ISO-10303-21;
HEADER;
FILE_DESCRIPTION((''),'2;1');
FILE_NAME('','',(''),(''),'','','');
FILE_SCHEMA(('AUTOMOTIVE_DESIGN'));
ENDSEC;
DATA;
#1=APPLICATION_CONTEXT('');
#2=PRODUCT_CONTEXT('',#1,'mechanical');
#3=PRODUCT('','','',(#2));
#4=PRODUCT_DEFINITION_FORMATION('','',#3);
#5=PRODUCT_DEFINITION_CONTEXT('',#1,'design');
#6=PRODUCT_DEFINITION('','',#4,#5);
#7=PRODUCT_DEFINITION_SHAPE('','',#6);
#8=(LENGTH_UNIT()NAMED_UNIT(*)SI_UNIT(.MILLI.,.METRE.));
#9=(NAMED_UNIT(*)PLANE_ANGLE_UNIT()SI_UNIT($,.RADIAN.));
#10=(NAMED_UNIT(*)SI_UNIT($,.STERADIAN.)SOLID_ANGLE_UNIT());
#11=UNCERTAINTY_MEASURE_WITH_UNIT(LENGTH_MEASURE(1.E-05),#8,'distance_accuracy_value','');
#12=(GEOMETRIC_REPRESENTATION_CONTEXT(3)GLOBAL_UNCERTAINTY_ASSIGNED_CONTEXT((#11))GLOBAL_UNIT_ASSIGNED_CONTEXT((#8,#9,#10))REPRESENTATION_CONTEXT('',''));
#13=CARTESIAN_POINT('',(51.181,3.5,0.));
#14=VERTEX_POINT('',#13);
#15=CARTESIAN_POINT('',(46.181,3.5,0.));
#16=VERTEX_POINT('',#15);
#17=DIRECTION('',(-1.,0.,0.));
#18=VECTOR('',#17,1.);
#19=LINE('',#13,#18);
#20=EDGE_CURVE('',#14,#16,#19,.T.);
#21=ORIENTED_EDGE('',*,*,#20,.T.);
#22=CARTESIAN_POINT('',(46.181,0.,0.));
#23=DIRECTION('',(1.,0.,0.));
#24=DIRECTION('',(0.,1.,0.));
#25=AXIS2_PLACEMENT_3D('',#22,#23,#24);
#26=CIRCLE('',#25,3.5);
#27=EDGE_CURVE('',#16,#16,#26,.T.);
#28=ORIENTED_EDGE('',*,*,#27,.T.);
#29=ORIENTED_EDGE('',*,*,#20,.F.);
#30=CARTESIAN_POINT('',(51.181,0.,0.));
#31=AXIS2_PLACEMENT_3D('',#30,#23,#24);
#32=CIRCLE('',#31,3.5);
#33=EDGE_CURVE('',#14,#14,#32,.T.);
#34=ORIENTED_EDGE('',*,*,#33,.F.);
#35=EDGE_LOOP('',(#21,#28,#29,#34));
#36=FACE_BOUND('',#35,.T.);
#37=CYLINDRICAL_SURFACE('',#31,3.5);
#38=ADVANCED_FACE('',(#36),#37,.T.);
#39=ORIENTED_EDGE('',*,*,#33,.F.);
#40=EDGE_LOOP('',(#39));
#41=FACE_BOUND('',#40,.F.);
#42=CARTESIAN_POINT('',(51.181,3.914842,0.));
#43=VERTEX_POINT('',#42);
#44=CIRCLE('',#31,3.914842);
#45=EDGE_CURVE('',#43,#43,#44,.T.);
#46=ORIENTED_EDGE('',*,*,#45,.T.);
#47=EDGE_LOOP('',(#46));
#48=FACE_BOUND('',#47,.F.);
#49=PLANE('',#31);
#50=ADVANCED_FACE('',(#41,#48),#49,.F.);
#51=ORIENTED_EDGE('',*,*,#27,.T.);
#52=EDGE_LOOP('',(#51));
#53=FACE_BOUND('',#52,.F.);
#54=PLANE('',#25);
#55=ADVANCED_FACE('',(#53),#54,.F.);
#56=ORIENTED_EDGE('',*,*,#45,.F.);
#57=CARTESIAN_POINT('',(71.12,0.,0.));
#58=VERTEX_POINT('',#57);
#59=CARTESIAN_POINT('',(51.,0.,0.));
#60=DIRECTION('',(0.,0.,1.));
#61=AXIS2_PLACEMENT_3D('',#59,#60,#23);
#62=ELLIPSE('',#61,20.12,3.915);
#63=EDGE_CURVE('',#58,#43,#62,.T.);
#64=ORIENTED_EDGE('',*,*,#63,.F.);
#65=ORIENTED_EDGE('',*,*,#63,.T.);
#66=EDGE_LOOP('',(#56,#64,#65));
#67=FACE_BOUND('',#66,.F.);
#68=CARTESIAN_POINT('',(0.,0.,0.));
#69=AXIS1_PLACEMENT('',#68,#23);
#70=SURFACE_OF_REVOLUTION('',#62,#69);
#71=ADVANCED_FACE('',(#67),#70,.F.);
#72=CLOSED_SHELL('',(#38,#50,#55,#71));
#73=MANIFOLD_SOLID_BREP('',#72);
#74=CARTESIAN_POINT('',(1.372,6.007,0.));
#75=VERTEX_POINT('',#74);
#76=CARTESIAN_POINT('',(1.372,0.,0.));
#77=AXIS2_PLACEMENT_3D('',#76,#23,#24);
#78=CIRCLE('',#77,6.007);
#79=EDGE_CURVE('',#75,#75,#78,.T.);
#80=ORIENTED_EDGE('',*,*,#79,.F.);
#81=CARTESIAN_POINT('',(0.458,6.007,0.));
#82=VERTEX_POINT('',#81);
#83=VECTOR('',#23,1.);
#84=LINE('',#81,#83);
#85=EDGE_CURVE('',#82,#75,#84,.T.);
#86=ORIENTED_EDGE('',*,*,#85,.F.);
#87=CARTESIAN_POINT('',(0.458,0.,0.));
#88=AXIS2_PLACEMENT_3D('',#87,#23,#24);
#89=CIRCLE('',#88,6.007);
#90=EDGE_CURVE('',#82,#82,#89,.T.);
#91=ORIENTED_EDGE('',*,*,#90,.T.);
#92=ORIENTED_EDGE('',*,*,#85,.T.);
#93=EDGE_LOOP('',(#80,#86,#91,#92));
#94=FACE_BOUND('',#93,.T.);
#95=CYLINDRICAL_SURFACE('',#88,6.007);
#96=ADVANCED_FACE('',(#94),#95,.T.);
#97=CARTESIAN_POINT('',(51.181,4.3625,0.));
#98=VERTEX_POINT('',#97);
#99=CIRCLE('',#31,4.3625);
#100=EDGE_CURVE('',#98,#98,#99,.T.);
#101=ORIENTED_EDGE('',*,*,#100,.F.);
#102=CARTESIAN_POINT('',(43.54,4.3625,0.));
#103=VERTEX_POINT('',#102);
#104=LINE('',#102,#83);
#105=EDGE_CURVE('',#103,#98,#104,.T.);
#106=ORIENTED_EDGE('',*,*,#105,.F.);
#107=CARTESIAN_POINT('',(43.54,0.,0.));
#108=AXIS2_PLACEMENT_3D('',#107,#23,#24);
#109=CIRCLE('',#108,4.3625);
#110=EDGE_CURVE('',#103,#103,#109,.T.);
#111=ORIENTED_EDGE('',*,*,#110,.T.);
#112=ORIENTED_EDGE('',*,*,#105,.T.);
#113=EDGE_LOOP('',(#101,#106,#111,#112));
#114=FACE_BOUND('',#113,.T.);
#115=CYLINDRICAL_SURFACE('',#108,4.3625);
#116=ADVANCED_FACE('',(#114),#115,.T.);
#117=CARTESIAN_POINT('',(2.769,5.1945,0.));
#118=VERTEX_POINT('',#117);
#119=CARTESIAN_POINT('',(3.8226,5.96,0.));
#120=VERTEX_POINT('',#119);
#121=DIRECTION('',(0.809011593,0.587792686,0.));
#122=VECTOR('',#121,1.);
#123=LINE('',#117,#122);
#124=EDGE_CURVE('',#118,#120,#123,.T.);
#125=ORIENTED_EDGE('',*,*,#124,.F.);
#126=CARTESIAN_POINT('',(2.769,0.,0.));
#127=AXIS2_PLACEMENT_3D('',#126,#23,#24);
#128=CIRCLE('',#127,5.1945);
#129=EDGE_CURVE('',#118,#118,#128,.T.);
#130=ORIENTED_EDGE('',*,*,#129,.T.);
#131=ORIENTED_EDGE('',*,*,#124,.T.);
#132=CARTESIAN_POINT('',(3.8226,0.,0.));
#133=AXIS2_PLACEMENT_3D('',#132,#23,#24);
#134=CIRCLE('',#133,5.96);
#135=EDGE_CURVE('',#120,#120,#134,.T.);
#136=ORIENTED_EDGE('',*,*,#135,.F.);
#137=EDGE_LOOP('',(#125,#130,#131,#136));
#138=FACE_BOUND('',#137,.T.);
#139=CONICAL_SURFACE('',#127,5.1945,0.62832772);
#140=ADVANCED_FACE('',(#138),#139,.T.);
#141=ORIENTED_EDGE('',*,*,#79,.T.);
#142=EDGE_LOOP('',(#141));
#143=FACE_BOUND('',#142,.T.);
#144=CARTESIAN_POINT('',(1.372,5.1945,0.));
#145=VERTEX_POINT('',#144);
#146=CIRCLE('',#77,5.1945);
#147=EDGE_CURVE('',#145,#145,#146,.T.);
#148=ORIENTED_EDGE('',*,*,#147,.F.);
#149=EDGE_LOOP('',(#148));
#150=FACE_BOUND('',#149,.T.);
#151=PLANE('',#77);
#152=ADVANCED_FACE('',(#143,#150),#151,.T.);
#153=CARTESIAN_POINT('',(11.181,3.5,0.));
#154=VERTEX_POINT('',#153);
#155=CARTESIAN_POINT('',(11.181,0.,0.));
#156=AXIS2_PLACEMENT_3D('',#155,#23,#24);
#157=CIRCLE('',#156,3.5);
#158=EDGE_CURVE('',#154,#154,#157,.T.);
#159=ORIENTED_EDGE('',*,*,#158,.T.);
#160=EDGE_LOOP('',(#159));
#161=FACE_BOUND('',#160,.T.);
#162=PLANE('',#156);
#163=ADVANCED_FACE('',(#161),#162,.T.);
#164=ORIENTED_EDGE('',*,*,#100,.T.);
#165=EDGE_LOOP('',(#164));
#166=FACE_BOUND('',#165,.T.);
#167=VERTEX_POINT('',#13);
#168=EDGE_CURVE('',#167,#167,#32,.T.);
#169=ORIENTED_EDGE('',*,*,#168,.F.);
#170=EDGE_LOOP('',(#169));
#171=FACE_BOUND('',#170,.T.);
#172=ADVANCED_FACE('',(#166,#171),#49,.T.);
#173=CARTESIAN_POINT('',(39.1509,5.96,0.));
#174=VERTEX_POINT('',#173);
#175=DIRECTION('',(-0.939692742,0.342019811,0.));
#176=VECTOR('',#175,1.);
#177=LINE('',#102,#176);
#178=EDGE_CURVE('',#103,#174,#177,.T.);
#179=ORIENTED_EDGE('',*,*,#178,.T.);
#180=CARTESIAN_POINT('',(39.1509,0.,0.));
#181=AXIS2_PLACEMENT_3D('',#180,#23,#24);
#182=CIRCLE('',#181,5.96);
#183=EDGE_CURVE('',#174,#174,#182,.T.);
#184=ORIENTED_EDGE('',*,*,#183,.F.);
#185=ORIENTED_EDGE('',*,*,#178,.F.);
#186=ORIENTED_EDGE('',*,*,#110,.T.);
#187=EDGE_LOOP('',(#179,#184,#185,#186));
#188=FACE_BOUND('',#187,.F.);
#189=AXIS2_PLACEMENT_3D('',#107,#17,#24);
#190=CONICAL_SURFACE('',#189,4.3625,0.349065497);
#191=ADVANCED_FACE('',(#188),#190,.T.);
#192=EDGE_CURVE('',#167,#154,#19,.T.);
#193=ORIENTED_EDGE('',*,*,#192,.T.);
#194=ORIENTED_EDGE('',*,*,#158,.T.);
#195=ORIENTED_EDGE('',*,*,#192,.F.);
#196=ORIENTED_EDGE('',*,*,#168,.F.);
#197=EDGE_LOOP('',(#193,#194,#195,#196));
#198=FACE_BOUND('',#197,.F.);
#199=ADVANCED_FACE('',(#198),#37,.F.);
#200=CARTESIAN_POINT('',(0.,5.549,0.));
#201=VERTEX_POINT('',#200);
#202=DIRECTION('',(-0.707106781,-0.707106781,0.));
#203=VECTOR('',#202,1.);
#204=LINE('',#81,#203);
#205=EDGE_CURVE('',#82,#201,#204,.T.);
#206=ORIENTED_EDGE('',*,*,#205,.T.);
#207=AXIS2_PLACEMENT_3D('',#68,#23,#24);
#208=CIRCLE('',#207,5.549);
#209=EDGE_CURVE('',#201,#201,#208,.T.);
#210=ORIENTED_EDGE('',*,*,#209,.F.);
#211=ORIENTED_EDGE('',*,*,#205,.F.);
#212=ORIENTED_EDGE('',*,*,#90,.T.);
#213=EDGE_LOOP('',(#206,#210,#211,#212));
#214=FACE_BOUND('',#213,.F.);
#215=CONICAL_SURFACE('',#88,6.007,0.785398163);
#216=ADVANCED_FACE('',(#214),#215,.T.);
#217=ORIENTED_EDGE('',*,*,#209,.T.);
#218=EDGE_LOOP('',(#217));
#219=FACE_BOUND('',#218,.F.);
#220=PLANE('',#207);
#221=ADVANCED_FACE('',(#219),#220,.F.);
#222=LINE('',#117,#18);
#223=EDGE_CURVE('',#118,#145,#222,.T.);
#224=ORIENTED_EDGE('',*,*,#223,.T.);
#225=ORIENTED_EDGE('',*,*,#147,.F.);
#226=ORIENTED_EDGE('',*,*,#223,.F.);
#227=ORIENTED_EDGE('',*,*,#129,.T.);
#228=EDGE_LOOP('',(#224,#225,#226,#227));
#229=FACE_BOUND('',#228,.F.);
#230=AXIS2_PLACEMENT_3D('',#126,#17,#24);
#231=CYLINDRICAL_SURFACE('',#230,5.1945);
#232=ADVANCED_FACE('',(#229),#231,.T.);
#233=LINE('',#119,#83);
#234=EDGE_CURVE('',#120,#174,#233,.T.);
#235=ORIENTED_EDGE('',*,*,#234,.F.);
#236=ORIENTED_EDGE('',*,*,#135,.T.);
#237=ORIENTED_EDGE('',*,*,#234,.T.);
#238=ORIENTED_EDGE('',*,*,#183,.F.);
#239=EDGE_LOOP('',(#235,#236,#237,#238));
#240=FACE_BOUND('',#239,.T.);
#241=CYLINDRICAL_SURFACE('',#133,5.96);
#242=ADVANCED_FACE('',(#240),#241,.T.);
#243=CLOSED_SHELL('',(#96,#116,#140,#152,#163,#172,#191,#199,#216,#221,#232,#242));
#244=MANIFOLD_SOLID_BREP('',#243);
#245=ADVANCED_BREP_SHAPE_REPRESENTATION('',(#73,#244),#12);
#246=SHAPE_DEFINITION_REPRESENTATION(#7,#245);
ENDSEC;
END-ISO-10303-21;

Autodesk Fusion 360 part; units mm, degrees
sketch "スケッチ1" plane through (0, 0, 0) normal (0, 0, 1) x (1, 0, 0)
  line L0 (0, 0) -> (71.12, 0)
  line L1 (0.458, 6.007) -> (0.458, -6.007) construction
  line L2 (0, 5.549) -> (0, -5.549)
  line L3 (0.458, 6.007) -> (0, 5.549)
  line L4 (1.372, 5.1945) -> (1.372, -5.1945) construction
  line L5 (0.458, -6.007) -> (1.372, -6.007)
  line L6 (0, -5.549) -> (0.458, -6.007)
  line L7 (0.458, 6.007) -> (1.372, 6.007)
  line L8 (2.769, -5.1945) -> (2.769, 5.1945) construction
  line L9 (2.769, 5.1945) -> (1.372, 5.1945)
  line L10 (2.769, -5.1945) -> (1.372, -5.1945)
  line L11 (1.372, 6.007) -> (1.372, 5.1945)
  line L12 (1.372, -5.1945) -> (1.372, -6.007)
  line L13 (3.8226, 5.96) -> (3.8226, -5.96) construction
  line L14 (2.769, 5.1945) -> (3.8226, 5.96)
  line L15 (2.769, -5.1945) -> (3.8226, -5.96)
  line L16 (39.1509, 5.96) -> (39.1509, -5.96) construction
  line L17 (3.8226, 5.96) -> (39.1509, 5.96)
  line L18 (3.8226, -5.96) -> (3.8604, -5.96)
  line L19 (3.8604, -5.96) -> (39.1509, -5.96)
  line L20 (43.54, 4.3625) -> (43.54, -4.3625) construction
  line L21 (43.54, 4.3625) -> (39.1509, 5.96)
  line L22 (43.54, -4.3625) -> (39.1509, -5.96)
  line L23 (51.181, 4.3625) -> (51.181, -4.3625)
  line L24 (43.54, 4.3625) -> (51.181, 4.3625)
  line L25 (43.54, -4.3625) -> (51.181, -4.3625)
  ellipse E0 centre (51, 0) end of major axis (71.12, 0) minor radius 3.915
  line L26 (30.88, 0) -> (71.12, 0) construction
  line L27 (51, -3.915) -> (51, 3.915) construction
  dimension "d1" = 71.12
  dimension "d2" = 12.014
  dimension "d3" = 0.458
  dimension "d4" = 45
  dimension "d5" = 1.372
  dimension "d7" = 10.389
  dimension "d8" = 1.397
  dimension "d9" = 11.92
  dimension "d11" = 11.92
  dimension "d13" = 8.725
  dimension "d15" = 51.181
  dimension "d36" = 36
  dimension "d39" = 20
  dimension "d40" = 43.54
  dimension "d41" = 7.83
revolve "回転4" add sketch "スケッチ1" angle 360 about axis through (0, 0, 0) along (1, 0, 0) contours L0 L2 L3 L7 L9 L11 L14 L17 L21 L23 L24 E0 | L0 L23 E0 picked at (41.0352, 1.1341) makes body 1
revolve "回転5" add sketch "スケッチ1" angle 360 about axis through (0, 0, 0) along (1, 0, 0) separate body contours L0 L23 E0 picked at (62.5034, 0.9239) makes body 2
sketch "スケッチ5" plane through (51.181, 0, 0) normal (1, 0, 0) x (0, 1, 0)
  circle A0 centre (0, 0) radius 4.3625
  circle A1 centre (0, 0) radius 3.5
  dimension "d45" = 7
extrude "押し出し6" cut sketch "スケッチ5" against normal blind 40 contours A1 bodies 1
extrude "押し出し7" add sketch "スケッチ5" against normal blind 5 contours A1 bodies 2
